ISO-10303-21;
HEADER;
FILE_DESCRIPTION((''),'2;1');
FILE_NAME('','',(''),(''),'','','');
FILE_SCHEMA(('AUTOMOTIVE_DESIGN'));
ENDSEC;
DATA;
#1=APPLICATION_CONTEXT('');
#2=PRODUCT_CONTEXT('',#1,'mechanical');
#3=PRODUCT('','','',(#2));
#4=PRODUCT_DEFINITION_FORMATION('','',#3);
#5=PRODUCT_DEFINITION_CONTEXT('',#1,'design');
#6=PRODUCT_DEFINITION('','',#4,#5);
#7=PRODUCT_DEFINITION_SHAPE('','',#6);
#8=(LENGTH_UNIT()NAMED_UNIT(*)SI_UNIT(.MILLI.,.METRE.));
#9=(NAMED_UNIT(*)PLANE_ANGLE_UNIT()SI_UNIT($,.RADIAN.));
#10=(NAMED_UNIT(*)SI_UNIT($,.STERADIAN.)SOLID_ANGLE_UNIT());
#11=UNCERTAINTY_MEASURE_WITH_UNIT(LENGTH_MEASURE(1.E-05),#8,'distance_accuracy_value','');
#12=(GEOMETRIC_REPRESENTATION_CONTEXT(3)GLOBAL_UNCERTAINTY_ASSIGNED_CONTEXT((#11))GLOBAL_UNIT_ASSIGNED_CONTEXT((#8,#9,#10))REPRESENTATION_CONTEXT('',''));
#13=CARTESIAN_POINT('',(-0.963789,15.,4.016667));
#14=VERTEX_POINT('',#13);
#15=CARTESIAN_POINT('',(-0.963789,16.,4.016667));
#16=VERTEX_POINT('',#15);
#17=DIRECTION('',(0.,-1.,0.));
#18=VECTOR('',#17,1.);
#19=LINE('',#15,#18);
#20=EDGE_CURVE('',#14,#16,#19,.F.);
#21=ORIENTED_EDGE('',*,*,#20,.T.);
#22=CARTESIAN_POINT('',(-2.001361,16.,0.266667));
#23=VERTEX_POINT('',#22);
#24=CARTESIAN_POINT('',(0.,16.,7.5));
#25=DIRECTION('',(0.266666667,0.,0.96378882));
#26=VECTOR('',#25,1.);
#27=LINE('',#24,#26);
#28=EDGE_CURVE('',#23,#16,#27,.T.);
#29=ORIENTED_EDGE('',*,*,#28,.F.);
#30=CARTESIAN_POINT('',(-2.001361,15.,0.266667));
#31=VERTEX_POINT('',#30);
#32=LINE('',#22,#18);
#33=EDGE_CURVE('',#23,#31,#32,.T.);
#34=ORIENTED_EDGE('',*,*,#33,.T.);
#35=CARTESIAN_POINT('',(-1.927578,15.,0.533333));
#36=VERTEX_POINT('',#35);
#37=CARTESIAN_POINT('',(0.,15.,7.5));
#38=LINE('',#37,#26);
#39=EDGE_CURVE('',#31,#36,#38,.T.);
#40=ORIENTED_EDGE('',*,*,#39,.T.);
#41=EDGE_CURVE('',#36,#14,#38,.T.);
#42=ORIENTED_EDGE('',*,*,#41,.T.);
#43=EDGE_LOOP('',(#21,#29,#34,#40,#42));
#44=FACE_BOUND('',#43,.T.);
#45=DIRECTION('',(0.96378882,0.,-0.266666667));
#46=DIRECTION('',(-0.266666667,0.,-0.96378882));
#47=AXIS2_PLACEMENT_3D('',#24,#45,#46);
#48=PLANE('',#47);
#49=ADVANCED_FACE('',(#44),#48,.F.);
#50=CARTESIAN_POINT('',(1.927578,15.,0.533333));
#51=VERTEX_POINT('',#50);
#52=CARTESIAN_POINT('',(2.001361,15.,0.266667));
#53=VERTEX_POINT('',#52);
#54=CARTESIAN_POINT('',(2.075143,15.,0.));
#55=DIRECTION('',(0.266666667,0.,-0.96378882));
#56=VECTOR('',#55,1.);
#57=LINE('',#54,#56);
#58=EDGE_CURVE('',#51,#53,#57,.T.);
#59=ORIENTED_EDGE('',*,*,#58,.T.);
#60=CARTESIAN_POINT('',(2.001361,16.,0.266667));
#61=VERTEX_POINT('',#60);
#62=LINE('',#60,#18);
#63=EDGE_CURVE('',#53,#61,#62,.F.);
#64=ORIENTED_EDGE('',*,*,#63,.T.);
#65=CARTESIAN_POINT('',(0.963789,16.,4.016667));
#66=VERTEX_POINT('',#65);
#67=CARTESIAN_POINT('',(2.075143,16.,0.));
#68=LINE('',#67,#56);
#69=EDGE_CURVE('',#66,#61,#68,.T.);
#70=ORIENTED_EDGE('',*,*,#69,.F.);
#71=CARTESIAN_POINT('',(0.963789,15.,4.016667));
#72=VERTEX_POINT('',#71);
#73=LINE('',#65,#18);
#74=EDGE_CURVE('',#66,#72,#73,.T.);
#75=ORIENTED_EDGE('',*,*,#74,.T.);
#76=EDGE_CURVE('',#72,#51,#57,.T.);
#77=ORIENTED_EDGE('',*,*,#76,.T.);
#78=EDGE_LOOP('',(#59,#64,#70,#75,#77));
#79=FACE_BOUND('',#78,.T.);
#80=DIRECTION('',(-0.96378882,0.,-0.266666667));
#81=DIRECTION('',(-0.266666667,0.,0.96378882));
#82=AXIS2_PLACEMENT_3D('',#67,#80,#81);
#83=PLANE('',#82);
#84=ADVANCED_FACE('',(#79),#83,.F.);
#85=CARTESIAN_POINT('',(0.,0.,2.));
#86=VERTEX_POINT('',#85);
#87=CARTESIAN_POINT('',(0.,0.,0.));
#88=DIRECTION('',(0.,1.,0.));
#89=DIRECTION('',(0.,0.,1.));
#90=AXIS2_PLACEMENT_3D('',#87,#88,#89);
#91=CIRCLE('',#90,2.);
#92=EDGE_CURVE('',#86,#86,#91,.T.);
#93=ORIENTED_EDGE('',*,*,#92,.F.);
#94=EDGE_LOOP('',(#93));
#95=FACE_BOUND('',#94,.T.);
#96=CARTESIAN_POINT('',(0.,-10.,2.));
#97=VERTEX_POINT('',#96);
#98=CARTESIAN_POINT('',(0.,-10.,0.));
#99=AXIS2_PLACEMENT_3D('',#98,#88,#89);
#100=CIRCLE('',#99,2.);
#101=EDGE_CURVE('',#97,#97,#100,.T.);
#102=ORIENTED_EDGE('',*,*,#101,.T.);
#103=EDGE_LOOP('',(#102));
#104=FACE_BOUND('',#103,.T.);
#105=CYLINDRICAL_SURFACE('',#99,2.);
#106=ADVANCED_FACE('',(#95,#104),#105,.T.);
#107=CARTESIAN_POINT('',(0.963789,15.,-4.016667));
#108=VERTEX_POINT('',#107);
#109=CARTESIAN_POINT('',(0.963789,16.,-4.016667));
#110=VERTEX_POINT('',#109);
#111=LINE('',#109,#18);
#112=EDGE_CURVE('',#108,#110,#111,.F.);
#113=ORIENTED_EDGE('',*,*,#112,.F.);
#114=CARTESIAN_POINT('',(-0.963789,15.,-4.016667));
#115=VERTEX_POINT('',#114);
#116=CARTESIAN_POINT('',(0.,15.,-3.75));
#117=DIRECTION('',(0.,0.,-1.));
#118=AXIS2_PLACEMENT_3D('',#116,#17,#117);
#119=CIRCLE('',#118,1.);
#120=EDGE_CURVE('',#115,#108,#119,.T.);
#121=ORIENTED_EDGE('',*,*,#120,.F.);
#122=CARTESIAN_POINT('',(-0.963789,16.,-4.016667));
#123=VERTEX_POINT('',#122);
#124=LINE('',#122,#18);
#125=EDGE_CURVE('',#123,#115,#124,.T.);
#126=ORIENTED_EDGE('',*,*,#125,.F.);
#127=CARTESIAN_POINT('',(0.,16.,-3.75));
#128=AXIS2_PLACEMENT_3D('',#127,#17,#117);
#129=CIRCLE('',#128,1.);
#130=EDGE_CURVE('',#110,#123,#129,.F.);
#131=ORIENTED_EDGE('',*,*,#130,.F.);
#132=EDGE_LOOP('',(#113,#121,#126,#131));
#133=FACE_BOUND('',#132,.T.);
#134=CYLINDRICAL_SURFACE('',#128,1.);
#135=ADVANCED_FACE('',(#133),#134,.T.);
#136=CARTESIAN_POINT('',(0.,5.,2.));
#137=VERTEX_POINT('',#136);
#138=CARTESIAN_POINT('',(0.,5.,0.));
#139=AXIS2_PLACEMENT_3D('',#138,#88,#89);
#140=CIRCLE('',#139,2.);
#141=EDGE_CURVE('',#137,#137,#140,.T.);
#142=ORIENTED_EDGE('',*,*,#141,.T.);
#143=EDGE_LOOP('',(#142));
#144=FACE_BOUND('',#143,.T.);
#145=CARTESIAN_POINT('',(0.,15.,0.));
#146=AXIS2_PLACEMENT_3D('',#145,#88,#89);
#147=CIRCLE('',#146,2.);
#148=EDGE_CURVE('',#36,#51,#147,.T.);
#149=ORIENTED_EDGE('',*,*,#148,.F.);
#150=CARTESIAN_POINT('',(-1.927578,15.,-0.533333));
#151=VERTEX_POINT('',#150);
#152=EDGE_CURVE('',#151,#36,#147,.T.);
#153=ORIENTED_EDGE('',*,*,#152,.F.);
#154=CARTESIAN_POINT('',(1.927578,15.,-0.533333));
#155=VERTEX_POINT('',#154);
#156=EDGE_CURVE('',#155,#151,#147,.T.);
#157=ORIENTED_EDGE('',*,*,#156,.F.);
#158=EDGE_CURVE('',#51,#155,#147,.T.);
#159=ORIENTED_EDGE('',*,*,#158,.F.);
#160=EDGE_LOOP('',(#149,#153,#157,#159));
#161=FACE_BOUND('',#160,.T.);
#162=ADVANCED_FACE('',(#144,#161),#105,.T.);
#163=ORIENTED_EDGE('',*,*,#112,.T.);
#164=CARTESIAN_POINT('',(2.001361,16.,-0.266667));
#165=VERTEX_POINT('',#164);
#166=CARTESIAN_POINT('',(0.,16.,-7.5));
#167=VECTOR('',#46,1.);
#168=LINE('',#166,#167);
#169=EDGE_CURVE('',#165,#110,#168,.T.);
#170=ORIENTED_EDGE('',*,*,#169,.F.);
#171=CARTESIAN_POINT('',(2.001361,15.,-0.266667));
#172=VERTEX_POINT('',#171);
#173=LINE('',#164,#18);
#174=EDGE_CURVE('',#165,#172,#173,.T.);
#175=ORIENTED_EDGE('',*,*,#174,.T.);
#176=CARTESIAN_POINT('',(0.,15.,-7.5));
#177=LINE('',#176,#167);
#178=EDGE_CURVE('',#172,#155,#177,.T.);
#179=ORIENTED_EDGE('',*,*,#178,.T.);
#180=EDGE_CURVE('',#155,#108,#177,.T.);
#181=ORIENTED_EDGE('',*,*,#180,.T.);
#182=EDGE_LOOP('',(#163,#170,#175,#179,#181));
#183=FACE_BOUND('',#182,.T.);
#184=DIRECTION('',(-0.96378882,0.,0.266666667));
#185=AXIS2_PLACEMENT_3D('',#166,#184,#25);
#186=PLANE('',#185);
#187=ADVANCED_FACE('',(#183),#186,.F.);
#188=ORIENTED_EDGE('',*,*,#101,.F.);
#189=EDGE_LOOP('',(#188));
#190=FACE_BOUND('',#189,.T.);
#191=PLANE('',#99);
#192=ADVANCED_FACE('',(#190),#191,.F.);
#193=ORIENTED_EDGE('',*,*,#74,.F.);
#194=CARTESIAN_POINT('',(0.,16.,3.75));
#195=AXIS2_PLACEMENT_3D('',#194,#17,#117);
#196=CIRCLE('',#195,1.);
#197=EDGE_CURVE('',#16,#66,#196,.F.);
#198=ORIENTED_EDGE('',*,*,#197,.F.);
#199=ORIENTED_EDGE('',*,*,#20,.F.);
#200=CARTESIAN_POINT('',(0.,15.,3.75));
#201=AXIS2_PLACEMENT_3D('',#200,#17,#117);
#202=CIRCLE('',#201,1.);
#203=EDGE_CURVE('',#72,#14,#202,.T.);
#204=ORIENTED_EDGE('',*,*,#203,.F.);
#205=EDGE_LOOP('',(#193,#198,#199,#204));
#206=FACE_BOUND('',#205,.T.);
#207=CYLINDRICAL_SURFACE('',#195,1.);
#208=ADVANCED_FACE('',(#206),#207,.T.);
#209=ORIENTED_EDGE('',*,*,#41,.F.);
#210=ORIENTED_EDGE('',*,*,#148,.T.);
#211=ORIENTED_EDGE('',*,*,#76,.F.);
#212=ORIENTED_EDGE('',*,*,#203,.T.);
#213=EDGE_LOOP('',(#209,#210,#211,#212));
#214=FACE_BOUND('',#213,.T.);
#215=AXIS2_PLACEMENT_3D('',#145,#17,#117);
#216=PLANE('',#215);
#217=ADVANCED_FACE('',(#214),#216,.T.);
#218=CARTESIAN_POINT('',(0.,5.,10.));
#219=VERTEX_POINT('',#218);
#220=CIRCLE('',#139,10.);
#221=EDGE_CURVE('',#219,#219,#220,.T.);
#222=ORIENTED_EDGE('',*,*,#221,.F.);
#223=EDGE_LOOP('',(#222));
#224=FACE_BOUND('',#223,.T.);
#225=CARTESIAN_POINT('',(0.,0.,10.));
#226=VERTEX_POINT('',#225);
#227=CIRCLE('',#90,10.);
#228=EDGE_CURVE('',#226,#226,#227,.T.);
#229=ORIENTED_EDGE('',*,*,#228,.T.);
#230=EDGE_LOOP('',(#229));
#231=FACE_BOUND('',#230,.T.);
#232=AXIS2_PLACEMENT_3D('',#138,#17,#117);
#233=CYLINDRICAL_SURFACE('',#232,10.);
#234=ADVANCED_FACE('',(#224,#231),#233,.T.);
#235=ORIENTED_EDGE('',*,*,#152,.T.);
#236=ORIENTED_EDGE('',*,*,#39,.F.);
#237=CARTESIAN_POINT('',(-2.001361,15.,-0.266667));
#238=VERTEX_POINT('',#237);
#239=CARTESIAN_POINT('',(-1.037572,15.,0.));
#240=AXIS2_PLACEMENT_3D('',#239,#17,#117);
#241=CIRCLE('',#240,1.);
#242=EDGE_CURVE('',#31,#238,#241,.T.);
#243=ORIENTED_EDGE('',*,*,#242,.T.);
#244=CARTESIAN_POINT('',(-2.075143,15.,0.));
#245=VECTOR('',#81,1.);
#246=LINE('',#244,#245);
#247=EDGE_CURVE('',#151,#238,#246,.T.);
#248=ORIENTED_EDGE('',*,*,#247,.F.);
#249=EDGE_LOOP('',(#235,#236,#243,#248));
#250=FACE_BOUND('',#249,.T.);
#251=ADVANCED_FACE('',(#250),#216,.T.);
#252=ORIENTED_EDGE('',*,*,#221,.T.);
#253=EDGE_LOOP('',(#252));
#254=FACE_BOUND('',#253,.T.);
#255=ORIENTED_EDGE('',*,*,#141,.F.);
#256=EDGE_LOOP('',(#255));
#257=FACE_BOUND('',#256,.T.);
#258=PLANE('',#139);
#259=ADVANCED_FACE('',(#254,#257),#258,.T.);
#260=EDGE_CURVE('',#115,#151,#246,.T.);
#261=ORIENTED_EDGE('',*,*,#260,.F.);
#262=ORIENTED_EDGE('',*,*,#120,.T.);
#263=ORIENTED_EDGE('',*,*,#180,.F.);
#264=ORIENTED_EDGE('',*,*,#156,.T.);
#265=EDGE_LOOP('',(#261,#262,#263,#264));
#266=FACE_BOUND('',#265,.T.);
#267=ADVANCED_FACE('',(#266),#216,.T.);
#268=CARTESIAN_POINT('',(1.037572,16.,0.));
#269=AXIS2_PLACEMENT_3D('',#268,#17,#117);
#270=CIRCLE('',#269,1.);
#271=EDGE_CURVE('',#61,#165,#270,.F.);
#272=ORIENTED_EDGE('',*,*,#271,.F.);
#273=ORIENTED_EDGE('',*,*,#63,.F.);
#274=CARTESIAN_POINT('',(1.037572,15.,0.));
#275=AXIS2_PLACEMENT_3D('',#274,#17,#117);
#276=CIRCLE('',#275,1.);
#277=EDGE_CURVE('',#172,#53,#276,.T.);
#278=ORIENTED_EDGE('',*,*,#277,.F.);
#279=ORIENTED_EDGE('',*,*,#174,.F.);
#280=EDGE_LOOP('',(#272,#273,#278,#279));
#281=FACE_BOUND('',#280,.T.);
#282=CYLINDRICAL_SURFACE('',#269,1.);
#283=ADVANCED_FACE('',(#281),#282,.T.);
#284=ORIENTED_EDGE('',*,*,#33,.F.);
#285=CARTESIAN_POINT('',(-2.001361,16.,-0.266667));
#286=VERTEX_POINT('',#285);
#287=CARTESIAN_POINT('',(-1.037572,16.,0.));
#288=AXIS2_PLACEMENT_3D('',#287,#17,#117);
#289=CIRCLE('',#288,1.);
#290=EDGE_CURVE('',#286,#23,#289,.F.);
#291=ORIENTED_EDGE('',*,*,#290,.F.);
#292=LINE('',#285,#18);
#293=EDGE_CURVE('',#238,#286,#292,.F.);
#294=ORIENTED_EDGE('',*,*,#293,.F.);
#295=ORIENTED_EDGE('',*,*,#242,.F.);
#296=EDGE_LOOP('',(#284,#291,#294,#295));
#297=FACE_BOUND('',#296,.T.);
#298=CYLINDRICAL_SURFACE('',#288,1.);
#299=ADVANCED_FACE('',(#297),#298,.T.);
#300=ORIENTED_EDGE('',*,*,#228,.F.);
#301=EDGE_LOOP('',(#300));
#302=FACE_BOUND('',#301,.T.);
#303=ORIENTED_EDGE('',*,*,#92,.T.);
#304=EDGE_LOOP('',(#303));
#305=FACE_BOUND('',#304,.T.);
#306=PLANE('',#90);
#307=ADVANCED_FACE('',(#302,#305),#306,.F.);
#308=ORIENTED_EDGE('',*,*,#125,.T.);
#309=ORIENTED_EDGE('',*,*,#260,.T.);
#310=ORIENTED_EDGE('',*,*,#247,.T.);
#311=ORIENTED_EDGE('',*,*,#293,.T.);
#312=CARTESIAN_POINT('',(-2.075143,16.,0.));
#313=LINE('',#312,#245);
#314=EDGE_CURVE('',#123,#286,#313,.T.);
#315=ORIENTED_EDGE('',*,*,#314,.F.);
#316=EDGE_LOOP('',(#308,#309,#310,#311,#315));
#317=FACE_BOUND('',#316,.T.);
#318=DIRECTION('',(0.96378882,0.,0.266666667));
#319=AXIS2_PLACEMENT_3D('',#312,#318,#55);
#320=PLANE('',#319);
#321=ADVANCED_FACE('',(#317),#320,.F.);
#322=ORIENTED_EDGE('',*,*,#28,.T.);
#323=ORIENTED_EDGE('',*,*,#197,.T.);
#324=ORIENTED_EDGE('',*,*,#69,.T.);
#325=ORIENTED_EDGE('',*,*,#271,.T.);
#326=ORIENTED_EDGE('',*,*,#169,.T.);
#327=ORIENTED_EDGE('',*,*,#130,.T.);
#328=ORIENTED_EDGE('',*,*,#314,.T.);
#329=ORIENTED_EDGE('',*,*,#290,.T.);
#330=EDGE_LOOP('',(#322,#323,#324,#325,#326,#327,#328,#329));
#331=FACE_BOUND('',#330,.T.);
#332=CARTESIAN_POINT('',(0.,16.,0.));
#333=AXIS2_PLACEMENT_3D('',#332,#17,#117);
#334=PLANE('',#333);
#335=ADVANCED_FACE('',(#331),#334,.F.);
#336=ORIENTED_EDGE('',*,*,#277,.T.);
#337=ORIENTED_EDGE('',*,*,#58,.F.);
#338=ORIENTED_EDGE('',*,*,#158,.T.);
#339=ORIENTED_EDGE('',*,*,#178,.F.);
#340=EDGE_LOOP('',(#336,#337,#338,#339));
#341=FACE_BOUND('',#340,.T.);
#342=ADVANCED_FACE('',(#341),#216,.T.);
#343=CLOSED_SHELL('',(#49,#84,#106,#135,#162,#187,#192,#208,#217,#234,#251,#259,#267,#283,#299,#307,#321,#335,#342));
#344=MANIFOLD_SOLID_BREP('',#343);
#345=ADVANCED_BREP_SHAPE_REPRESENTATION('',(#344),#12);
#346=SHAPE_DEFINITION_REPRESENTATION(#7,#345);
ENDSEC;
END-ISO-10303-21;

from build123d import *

# Parameters (mm, degrees)
CROQUIS1_R                   = 10
SALIENTE_EXTRUIR1_DEPTH      = 5
SALIENTE_EXTRUIR2_DEPTH      = 10
SALIENTE_EXTRUIR2_DEPTH_BACK = 15
CROQUIS2_R                   = 2
SALIENTE_EXTRUIR3_DEPTH      = 1
REDONDEO1_R                  = 1


with BuildPart() as part:
    # Croquis1 → Saliente-Extruir1 (new body)
    with BuildSketch(Plane(origin=(0, 0, 0), x_dir=(1, 0, 0), z_dir=(0, 1, 0))):
        with Locations(Location((0, 0, 0), (0, 0, 270))):
            Circle(CROQUIS1_R)
    extrude(amount=SALIENTE_EXTRUIR1_DEPTH)

    # Croquis2 → Saliente-Extruir2 (add, two sides: drawn at the far end of the back side and taken through both)
    with BuildSketch(Plane(origin=(0, 5, 0), x_dir=(1, 0, 0), z_dir=(0, 1, 0)).offset(-SALIENTE_EXTRUIR2_DEPTH_BACK)):
        with Locations(Location((0, 0, 0), (0, 0, 270))):
            Circle(CROQUIS2_R)
    extrude(amount=SALIENTE_EXTRUIR2_DEPTH + SALIENTE_EXTRUIR2_DEPTH_BACK)

    # Croquis3 → Saliente-Extruir3 (add)
    with BuildSketch(Plane(origin=(0, 15, 0), x_dir=(1, 0, 0), z_dir=(0, 1, 0))):
        Polygon((-2.075143392, 0), (0, 7.5), (2.075143392, 0), (0, -7.5), align=None)
    extrude(amount=SALIENTE_EXTRUIR3_DEPTH)

    # Redondeo1
    redondeo1_edges = [part.edges().sort_by_distance(p)[0] for p in [
        (-2.075143392, 15.5, 0),
        (0, 15.5, 7.5),
        (2.075143392, 15.5, 0),
        (0, 15.5, -7.5),
    ]]
    fillet(redondeo1_edges, radius=REDONDEO1_R)


solid = part.part
